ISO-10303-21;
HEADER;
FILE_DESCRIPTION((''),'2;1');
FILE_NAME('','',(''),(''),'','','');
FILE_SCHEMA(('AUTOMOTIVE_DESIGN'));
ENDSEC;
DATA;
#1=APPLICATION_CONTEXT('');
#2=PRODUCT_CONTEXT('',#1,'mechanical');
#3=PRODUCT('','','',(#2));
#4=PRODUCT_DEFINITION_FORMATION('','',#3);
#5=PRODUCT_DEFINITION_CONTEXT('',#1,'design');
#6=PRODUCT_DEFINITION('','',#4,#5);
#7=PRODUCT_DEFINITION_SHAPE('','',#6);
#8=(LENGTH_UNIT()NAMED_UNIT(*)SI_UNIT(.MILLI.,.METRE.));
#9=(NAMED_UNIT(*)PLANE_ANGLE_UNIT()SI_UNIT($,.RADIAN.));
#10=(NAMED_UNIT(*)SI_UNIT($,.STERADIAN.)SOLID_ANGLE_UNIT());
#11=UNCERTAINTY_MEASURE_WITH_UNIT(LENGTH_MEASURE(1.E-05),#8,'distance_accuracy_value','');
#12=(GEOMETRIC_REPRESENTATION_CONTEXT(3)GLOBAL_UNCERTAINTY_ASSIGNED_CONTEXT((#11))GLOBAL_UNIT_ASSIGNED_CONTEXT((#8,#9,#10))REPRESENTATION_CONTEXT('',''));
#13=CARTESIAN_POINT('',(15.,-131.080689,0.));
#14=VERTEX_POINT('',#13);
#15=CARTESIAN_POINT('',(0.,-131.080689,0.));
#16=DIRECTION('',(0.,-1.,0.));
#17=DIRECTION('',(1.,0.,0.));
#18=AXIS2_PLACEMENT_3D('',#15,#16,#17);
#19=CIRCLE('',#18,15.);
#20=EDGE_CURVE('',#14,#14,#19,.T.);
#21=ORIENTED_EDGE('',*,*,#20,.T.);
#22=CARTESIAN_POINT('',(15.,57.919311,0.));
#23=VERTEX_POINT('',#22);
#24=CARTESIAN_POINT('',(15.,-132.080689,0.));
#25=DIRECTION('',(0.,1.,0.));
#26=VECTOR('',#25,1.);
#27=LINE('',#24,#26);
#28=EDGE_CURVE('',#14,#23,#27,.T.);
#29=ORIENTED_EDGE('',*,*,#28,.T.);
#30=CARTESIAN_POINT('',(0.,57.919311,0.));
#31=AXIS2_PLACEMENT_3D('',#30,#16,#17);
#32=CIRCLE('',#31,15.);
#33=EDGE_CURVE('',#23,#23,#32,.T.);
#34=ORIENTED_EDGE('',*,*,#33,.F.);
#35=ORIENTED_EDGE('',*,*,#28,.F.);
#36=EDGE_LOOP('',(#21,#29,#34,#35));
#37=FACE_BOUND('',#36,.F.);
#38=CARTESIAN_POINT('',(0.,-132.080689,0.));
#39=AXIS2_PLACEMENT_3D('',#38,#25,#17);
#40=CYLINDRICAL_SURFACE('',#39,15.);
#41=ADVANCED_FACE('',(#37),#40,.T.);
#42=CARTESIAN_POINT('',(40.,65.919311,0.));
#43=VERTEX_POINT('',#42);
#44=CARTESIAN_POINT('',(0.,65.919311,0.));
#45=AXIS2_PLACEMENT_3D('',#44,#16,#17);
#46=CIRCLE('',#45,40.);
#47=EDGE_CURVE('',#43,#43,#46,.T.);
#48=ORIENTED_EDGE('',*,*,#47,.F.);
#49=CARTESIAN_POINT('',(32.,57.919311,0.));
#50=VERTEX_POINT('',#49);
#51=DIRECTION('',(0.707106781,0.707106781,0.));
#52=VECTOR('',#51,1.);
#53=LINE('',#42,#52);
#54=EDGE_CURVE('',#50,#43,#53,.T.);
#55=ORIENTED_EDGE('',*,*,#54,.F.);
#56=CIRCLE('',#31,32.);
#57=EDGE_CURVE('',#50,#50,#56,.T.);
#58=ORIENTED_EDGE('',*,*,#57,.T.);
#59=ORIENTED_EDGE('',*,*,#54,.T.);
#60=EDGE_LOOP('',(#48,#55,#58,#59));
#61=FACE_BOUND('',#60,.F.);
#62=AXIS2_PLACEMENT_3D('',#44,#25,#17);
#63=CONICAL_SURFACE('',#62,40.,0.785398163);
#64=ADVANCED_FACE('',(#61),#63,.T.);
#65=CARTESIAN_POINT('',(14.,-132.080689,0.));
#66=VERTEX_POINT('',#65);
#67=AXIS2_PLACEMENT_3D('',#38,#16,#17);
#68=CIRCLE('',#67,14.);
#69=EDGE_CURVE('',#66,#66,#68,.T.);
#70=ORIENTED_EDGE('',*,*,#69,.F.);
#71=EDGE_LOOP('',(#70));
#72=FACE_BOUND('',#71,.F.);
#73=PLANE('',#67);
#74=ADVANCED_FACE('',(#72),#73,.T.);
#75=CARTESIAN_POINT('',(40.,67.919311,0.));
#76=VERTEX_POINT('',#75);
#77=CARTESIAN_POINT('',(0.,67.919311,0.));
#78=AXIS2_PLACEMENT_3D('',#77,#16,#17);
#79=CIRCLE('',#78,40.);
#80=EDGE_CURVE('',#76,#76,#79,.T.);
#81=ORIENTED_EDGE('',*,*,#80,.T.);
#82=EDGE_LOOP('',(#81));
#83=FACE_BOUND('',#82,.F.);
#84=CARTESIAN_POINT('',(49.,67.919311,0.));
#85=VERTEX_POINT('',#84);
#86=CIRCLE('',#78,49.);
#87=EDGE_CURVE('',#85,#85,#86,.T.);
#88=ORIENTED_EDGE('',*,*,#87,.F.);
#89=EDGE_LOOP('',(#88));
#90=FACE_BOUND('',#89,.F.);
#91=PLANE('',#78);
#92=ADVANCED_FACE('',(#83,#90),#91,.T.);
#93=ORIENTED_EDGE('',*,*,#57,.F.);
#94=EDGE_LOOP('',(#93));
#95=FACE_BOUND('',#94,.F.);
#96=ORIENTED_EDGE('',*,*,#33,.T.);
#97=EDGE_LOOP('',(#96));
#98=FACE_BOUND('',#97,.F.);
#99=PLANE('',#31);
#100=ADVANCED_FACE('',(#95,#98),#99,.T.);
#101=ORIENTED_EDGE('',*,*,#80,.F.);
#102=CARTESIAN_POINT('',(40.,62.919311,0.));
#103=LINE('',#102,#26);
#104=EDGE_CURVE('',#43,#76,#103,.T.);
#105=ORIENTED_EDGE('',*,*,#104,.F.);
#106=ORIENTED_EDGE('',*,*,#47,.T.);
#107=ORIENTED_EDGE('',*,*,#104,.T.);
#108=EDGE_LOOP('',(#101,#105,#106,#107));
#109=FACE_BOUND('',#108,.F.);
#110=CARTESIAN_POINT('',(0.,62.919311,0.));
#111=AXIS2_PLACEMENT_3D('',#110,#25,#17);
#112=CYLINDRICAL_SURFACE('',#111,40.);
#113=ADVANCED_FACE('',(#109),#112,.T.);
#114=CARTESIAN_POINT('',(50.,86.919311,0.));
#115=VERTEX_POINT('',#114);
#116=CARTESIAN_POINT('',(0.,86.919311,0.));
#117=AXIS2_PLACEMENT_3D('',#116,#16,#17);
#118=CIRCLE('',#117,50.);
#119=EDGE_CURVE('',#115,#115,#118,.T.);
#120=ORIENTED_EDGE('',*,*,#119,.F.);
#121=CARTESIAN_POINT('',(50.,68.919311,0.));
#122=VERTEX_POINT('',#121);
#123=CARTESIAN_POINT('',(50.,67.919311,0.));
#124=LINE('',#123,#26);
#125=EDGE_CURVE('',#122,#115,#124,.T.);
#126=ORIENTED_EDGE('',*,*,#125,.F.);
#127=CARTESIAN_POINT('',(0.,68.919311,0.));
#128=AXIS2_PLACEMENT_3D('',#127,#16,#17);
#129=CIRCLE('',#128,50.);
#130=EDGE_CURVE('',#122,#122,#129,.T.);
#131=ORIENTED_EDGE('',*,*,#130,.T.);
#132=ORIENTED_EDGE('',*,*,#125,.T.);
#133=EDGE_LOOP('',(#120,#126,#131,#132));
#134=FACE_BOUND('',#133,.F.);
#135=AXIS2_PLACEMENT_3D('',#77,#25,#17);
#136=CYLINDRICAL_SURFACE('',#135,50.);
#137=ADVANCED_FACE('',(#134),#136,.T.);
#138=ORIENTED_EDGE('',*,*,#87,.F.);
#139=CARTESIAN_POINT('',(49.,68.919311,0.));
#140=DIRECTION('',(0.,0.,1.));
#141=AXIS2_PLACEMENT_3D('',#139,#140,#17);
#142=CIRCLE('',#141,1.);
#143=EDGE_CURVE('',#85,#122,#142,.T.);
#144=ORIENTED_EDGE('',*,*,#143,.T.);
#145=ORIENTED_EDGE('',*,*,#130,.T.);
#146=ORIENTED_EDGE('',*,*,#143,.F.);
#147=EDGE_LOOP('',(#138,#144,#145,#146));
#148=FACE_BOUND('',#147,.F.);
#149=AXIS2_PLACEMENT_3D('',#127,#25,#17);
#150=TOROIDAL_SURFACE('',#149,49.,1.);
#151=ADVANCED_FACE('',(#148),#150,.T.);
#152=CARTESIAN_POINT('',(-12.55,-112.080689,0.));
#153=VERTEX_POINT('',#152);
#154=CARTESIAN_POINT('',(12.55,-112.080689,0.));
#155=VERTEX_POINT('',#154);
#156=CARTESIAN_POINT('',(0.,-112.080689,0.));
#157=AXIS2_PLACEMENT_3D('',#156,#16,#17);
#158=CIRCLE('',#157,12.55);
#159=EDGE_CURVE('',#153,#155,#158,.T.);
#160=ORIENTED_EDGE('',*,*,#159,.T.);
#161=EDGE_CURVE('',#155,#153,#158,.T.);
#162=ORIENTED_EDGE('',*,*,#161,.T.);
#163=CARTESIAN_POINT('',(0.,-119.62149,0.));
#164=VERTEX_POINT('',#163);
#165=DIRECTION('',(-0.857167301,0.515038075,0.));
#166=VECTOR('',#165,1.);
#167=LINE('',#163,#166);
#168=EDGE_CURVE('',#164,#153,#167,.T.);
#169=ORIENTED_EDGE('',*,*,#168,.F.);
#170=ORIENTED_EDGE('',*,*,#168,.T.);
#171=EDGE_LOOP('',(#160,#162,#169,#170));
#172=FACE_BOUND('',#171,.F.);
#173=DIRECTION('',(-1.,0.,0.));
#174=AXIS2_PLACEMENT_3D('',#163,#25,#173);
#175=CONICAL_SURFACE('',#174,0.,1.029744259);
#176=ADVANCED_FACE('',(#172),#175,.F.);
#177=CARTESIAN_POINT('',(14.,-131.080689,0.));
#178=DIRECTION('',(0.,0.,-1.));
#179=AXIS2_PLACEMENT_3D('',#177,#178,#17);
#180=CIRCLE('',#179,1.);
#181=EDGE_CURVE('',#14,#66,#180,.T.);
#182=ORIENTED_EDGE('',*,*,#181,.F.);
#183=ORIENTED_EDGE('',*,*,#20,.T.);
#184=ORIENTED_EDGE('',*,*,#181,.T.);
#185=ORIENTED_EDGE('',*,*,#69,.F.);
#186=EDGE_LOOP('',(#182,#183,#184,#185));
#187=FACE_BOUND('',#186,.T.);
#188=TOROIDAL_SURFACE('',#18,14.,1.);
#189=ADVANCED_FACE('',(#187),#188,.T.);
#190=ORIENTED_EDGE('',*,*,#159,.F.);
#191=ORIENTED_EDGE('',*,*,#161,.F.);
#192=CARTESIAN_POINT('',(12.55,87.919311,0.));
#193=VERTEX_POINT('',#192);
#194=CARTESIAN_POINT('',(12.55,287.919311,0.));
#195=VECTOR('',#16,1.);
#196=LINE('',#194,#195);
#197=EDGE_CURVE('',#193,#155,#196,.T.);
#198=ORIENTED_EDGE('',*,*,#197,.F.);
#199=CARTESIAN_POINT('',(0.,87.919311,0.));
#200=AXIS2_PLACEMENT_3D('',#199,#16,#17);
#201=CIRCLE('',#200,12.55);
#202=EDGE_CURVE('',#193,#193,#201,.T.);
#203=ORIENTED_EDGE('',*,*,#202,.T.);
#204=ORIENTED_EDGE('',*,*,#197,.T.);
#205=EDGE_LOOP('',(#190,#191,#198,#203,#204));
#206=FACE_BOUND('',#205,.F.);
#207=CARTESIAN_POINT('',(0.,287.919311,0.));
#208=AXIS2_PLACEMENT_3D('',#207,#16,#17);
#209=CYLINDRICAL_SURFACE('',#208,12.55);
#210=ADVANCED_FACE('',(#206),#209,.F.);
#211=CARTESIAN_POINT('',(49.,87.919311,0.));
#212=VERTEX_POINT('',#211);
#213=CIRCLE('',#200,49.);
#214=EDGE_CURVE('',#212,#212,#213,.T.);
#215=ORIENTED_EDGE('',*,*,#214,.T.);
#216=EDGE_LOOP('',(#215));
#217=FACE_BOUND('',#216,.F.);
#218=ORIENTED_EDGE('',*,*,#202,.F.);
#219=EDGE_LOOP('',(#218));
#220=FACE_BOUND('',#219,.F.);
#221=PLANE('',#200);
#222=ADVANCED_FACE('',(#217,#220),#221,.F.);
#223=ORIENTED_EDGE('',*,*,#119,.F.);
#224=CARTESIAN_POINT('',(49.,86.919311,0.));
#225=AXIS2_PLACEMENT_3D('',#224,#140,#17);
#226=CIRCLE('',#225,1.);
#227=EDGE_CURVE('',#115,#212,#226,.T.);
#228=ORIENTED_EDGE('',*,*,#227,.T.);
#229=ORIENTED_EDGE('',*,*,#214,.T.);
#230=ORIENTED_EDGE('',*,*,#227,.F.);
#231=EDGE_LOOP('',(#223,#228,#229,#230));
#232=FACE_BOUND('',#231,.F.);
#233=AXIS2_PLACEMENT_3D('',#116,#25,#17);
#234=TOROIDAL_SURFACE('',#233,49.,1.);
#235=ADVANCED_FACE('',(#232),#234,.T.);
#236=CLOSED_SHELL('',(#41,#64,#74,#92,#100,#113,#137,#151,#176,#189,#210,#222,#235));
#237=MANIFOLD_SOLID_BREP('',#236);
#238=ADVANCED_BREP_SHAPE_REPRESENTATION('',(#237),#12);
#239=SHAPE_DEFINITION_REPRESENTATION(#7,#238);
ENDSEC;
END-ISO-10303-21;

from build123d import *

# Parameters (mm, degrees)
F0_W     = 25
F0_H     = 10
F3_D     = 25.1
F3_DEPTH = 200
F3_TIP   = 7.5408007688
F4_R     = 1
F5_SIZE  = 8
F6_R     = 1


with BuildPart() as f1:
    # F0 (on Top) → F1 (revolve)
    with BuildSketch(Plane.XY):
        with Locations((27.5, 62.9193106468)):
            Rectangle(F0_W, F0_H)
        Polygon((0, 87.9193106468), (0, -132.0806893532), (15, -132.0806893532), (15, 57.9193106468), (15, 67.9193106468), (40, 67.9193106468), (50, 67.9193106468), (50, 87.9193106468), align=None)
    revolve(axis=Axis((0, -22.0806893532, 0), (0, -1, 0)))

    # F3
    with Locations(Plane(origin=(0, 87.9193106468, 0), x_dir=(-1, 0, 0), z_dir=(0, 1, 0))):
        with Locations((0, 0)):
            Hole(F3_D / 2, depth=F3_DEPTH)
            with Locations((0, 0, -(F3_DEPTH + F3_TIP / 2))):  # 118° drill point
                Cone(0, F3_D / 2, F3_TIP, mode=Mode.SUBTRACT)

    # F4
    f4_edges = [f1.edges().sort_by_distance(p)[0] for p in [
        (-50, 87.919311, 0),
        (-15, -132.080689, 0),
    ]]
    fillet(f4_edges, radius=F4_R)

    # F5
    f5_edges = [f1.edges().sort_by_distance(p)[0] for p in [
        (-40, 57.919311, 0),
    ]]
    chamfer(f5_edges, length=F5_SIZE)

    # F6
    f6_edges = [f1.edges().sort_by_distance(p)[0] for p in [
        (-50, 67.919311, 0),
    ]]
    fillet(f6_edges, radius=F6_R)


solid = f1.part
